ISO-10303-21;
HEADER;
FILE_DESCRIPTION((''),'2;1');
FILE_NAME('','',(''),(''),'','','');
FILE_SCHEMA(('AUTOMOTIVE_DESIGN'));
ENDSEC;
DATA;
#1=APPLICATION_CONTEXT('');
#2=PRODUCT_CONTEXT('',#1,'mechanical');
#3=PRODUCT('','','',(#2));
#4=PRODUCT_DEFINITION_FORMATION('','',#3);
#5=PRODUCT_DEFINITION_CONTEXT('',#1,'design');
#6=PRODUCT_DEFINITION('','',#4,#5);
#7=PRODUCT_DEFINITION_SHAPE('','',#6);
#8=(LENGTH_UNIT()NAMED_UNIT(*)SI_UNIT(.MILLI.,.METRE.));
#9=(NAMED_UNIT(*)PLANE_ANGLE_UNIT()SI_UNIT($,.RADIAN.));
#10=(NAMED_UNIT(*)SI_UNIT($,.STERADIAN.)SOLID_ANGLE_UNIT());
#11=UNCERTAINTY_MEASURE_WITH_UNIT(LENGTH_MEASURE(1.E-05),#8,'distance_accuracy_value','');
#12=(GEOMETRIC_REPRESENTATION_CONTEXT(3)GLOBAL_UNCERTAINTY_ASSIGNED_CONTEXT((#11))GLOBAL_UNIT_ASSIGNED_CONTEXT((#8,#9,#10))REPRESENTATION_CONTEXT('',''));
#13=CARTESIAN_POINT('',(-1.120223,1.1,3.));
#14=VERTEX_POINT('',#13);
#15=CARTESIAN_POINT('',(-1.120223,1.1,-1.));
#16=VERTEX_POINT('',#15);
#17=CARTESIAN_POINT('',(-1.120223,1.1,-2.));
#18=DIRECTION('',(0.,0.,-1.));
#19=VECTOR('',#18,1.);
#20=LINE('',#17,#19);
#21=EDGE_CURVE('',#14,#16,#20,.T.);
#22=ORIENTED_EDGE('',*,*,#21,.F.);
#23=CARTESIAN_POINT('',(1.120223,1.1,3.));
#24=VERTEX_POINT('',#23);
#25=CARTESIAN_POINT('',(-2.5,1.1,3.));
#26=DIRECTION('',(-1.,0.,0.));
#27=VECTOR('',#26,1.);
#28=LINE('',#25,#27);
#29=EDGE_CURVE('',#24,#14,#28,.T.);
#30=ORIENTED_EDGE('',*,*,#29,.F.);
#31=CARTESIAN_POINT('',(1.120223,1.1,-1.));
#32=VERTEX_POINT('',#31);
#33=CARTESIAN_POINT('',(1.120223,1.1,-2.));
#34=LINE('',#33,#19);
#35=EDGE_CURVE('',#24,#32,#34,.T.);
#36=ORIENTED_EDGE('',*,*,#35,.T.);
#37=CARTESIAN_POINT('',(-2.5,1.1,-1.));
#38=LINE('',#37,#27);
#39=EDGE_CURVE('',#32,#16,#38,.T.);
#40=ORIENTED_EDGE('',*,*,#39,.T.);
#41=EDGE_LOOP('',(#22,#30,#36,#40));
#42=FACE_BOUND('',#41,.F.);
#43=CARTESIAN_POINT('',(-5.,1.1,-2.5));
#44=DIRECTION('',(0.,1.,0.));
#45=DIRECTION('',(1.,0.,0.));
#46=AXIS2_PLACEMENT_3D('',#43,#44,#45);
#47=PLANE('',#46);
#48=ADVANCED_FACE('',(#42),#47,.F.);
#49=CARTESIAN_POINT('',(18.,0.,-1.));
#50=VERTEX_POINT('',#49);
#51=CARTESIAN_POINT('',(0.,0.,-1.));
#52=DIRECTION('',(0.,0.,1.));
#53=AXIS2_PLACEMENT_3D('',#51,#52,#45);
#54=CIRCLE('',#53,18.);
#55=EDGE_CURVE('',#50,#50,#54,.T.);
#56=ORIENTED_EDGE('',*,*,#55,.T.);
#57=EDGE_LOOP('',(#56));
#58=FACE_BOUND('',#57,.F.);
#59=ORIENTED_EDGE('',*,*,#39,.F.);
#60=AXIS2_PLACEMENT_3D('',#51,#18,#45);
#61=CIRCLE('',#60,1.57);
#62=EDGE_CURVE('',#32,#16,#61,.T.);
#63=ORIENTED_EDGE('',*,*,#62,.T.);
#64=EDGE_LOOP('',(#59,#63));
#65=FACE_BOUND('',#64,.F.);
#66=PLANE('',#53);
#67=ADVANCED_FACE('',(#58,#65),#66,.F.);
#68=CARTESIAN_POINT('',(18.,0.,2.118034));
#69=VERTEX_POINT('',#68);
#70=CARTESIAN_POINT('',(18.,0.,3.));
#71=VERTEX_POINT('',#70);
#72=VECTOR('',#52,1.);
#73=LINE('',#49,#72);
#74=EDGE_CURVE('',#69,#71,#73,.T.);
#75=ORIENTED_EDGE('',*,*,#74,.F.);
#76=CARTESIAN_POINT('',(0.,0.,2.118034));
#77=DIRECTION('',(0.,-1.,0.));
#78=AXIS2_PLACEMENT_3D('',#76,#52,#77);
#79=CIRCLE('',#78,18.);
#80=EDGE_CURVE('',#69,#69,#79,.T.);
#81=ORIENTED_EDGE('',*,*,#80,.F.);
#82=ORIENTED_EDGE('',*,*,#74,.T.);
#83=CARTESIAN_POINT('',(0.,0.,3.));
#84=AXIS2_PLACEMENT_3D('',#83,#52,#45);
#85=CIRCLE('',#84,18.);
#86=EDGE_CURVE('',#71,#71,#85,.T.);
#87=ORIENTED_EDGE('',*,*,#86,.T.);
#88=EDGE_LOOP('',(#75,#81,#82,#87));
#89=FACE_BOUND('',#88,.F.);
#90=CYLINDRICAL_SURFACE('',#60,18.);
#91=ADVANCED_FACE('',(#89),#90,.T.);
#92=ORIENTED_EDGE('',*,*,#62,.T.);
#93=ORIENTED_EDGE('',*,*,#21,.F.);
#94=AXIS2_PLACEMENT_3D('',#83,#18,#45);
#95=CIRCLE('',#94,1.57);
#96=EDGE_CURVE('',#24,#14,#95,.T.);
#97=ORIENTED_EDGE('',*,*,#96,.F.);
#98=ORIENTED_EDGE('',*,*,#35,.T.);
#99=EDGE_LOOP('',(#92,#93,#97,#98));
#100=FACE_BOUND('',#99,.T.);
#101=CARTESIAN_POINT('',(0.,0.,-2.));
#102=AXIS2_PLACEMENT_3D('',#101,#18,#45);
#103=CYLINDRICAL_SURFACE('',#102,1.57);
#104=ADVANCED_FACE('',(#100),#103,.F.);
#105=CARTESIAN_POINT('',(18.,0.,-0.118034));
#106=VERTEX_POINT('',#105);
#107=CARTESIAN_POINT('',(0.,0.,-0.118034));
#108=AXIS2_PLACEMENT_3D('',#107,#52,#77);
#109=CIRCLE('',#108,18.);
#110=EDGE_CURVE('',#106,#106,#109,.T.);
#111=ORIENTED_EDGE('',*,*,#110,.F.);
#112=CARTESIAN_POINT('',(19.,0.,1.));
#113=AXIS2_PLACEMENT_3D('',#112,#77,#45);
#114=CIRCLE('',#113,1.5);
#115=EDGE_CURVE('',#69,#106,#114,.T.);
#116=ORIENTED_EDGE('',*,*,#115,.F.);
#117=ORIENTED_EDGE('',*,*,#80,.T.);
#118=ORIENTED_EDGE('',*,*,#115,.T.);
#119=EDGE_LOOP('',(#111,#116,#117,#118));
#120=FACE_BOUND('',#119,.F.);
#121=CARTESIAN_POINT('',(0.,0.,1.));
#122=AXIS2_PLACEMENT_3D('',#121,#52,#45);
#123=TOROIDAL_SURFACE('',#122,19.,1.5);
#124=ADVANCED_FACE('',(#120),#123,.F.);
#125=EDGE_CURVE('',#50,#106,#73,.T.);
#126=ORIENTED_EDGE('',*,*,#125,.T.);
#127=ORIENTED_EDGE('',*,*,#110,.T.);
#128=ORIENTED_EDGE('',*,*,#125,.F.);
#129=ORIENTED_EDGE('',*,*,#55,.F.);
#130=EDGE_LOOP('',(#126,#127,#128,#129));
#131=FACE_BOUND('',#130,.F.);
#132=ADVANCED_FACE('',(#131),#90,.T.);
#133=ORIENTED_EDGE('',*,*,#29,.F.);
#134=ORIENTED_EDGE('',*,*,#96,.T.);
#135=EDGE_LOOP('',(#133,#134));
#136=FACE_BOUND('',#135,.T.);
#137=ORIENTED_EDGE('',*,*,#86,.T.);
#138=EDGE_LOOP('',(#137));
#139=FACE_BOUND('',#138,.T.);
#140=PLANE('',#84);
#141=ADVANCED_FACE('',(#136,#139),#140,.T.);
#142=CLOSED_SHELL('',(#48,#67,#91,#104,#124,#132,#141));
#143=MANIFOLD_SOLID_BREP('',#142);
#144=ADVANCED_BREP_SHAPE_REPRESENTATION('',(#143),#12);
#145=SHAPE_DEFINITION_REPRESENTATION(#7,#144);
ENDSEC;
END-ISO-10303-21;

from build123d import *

# Parameters (mm, degrees)
TORUS002_R        = 1.5
BOX084016_W       = 10
BOX084016_H       = 10
BOX084016_DEPTH   = 12
CYLINDER028_R     = 1.57
CYLINDER028_DEPTH = 10
CYLINDER012_R     = 18
CYLINDER012_DEPTH = 4


with BuildPart() as torus002:
    # Torus002 → Torus002 (revolve)
    with BuildSketch(Plane(origin=(0, 0, 2), x_dir=(1, 0, 0), z_dir=(0, -1, 0))):
        with Locations((19, 0)):
            Circle(TORUS002_R)
    revolve(axis=Axis((0, 0, 2), (0, 0, 1)))


with BuildPart() as cube067:
    # Box084016 → Box084016 (new body)
    with BuildSketch(Plane(origin=(-5, 1.1, -1.5), x_dir=(1, 0, 0), z_dir=(0, 0, 1))):
        with Locations((5, 5)):
            Rectangle(BOX084016_W, BOX084016_H)
    extrude(amount=BOX084016_DEPTH)


with BuildPart() as cut057:
    # Cylinder028 → Cylinder028 (new body)
    with BuildSketch(Plane.XY.offset(-1)):
        Circle(CYLINDER028_R)
    extrude(amount=CYLINDER028_DEPTH)

    # Cut057: cut Cube067
    add(cube067.part, mode=Mode.SUBTRACT)


with BuildPart() as cut063:
    # Cylinder012 → Cylinder012 (new body)
    with BuildSketch(Plane.XY):
        Circle(CYLINDER012_R)
    extrude(amount=CYLINDER012_DEPTH)

    # Cut062: cut Cut057
    add(cut057.part, mode=Mode.SUBTRACT)

    # Cut063: cut Torus002
    add(torus002.part, mode=Mode.SUBTRACT)


with BuildPart() as cut063_1:
    # Cut063 placement: moved
    add(cut063.part.moved(Location((0, 0, -1))))


solid = cut063_1.part
